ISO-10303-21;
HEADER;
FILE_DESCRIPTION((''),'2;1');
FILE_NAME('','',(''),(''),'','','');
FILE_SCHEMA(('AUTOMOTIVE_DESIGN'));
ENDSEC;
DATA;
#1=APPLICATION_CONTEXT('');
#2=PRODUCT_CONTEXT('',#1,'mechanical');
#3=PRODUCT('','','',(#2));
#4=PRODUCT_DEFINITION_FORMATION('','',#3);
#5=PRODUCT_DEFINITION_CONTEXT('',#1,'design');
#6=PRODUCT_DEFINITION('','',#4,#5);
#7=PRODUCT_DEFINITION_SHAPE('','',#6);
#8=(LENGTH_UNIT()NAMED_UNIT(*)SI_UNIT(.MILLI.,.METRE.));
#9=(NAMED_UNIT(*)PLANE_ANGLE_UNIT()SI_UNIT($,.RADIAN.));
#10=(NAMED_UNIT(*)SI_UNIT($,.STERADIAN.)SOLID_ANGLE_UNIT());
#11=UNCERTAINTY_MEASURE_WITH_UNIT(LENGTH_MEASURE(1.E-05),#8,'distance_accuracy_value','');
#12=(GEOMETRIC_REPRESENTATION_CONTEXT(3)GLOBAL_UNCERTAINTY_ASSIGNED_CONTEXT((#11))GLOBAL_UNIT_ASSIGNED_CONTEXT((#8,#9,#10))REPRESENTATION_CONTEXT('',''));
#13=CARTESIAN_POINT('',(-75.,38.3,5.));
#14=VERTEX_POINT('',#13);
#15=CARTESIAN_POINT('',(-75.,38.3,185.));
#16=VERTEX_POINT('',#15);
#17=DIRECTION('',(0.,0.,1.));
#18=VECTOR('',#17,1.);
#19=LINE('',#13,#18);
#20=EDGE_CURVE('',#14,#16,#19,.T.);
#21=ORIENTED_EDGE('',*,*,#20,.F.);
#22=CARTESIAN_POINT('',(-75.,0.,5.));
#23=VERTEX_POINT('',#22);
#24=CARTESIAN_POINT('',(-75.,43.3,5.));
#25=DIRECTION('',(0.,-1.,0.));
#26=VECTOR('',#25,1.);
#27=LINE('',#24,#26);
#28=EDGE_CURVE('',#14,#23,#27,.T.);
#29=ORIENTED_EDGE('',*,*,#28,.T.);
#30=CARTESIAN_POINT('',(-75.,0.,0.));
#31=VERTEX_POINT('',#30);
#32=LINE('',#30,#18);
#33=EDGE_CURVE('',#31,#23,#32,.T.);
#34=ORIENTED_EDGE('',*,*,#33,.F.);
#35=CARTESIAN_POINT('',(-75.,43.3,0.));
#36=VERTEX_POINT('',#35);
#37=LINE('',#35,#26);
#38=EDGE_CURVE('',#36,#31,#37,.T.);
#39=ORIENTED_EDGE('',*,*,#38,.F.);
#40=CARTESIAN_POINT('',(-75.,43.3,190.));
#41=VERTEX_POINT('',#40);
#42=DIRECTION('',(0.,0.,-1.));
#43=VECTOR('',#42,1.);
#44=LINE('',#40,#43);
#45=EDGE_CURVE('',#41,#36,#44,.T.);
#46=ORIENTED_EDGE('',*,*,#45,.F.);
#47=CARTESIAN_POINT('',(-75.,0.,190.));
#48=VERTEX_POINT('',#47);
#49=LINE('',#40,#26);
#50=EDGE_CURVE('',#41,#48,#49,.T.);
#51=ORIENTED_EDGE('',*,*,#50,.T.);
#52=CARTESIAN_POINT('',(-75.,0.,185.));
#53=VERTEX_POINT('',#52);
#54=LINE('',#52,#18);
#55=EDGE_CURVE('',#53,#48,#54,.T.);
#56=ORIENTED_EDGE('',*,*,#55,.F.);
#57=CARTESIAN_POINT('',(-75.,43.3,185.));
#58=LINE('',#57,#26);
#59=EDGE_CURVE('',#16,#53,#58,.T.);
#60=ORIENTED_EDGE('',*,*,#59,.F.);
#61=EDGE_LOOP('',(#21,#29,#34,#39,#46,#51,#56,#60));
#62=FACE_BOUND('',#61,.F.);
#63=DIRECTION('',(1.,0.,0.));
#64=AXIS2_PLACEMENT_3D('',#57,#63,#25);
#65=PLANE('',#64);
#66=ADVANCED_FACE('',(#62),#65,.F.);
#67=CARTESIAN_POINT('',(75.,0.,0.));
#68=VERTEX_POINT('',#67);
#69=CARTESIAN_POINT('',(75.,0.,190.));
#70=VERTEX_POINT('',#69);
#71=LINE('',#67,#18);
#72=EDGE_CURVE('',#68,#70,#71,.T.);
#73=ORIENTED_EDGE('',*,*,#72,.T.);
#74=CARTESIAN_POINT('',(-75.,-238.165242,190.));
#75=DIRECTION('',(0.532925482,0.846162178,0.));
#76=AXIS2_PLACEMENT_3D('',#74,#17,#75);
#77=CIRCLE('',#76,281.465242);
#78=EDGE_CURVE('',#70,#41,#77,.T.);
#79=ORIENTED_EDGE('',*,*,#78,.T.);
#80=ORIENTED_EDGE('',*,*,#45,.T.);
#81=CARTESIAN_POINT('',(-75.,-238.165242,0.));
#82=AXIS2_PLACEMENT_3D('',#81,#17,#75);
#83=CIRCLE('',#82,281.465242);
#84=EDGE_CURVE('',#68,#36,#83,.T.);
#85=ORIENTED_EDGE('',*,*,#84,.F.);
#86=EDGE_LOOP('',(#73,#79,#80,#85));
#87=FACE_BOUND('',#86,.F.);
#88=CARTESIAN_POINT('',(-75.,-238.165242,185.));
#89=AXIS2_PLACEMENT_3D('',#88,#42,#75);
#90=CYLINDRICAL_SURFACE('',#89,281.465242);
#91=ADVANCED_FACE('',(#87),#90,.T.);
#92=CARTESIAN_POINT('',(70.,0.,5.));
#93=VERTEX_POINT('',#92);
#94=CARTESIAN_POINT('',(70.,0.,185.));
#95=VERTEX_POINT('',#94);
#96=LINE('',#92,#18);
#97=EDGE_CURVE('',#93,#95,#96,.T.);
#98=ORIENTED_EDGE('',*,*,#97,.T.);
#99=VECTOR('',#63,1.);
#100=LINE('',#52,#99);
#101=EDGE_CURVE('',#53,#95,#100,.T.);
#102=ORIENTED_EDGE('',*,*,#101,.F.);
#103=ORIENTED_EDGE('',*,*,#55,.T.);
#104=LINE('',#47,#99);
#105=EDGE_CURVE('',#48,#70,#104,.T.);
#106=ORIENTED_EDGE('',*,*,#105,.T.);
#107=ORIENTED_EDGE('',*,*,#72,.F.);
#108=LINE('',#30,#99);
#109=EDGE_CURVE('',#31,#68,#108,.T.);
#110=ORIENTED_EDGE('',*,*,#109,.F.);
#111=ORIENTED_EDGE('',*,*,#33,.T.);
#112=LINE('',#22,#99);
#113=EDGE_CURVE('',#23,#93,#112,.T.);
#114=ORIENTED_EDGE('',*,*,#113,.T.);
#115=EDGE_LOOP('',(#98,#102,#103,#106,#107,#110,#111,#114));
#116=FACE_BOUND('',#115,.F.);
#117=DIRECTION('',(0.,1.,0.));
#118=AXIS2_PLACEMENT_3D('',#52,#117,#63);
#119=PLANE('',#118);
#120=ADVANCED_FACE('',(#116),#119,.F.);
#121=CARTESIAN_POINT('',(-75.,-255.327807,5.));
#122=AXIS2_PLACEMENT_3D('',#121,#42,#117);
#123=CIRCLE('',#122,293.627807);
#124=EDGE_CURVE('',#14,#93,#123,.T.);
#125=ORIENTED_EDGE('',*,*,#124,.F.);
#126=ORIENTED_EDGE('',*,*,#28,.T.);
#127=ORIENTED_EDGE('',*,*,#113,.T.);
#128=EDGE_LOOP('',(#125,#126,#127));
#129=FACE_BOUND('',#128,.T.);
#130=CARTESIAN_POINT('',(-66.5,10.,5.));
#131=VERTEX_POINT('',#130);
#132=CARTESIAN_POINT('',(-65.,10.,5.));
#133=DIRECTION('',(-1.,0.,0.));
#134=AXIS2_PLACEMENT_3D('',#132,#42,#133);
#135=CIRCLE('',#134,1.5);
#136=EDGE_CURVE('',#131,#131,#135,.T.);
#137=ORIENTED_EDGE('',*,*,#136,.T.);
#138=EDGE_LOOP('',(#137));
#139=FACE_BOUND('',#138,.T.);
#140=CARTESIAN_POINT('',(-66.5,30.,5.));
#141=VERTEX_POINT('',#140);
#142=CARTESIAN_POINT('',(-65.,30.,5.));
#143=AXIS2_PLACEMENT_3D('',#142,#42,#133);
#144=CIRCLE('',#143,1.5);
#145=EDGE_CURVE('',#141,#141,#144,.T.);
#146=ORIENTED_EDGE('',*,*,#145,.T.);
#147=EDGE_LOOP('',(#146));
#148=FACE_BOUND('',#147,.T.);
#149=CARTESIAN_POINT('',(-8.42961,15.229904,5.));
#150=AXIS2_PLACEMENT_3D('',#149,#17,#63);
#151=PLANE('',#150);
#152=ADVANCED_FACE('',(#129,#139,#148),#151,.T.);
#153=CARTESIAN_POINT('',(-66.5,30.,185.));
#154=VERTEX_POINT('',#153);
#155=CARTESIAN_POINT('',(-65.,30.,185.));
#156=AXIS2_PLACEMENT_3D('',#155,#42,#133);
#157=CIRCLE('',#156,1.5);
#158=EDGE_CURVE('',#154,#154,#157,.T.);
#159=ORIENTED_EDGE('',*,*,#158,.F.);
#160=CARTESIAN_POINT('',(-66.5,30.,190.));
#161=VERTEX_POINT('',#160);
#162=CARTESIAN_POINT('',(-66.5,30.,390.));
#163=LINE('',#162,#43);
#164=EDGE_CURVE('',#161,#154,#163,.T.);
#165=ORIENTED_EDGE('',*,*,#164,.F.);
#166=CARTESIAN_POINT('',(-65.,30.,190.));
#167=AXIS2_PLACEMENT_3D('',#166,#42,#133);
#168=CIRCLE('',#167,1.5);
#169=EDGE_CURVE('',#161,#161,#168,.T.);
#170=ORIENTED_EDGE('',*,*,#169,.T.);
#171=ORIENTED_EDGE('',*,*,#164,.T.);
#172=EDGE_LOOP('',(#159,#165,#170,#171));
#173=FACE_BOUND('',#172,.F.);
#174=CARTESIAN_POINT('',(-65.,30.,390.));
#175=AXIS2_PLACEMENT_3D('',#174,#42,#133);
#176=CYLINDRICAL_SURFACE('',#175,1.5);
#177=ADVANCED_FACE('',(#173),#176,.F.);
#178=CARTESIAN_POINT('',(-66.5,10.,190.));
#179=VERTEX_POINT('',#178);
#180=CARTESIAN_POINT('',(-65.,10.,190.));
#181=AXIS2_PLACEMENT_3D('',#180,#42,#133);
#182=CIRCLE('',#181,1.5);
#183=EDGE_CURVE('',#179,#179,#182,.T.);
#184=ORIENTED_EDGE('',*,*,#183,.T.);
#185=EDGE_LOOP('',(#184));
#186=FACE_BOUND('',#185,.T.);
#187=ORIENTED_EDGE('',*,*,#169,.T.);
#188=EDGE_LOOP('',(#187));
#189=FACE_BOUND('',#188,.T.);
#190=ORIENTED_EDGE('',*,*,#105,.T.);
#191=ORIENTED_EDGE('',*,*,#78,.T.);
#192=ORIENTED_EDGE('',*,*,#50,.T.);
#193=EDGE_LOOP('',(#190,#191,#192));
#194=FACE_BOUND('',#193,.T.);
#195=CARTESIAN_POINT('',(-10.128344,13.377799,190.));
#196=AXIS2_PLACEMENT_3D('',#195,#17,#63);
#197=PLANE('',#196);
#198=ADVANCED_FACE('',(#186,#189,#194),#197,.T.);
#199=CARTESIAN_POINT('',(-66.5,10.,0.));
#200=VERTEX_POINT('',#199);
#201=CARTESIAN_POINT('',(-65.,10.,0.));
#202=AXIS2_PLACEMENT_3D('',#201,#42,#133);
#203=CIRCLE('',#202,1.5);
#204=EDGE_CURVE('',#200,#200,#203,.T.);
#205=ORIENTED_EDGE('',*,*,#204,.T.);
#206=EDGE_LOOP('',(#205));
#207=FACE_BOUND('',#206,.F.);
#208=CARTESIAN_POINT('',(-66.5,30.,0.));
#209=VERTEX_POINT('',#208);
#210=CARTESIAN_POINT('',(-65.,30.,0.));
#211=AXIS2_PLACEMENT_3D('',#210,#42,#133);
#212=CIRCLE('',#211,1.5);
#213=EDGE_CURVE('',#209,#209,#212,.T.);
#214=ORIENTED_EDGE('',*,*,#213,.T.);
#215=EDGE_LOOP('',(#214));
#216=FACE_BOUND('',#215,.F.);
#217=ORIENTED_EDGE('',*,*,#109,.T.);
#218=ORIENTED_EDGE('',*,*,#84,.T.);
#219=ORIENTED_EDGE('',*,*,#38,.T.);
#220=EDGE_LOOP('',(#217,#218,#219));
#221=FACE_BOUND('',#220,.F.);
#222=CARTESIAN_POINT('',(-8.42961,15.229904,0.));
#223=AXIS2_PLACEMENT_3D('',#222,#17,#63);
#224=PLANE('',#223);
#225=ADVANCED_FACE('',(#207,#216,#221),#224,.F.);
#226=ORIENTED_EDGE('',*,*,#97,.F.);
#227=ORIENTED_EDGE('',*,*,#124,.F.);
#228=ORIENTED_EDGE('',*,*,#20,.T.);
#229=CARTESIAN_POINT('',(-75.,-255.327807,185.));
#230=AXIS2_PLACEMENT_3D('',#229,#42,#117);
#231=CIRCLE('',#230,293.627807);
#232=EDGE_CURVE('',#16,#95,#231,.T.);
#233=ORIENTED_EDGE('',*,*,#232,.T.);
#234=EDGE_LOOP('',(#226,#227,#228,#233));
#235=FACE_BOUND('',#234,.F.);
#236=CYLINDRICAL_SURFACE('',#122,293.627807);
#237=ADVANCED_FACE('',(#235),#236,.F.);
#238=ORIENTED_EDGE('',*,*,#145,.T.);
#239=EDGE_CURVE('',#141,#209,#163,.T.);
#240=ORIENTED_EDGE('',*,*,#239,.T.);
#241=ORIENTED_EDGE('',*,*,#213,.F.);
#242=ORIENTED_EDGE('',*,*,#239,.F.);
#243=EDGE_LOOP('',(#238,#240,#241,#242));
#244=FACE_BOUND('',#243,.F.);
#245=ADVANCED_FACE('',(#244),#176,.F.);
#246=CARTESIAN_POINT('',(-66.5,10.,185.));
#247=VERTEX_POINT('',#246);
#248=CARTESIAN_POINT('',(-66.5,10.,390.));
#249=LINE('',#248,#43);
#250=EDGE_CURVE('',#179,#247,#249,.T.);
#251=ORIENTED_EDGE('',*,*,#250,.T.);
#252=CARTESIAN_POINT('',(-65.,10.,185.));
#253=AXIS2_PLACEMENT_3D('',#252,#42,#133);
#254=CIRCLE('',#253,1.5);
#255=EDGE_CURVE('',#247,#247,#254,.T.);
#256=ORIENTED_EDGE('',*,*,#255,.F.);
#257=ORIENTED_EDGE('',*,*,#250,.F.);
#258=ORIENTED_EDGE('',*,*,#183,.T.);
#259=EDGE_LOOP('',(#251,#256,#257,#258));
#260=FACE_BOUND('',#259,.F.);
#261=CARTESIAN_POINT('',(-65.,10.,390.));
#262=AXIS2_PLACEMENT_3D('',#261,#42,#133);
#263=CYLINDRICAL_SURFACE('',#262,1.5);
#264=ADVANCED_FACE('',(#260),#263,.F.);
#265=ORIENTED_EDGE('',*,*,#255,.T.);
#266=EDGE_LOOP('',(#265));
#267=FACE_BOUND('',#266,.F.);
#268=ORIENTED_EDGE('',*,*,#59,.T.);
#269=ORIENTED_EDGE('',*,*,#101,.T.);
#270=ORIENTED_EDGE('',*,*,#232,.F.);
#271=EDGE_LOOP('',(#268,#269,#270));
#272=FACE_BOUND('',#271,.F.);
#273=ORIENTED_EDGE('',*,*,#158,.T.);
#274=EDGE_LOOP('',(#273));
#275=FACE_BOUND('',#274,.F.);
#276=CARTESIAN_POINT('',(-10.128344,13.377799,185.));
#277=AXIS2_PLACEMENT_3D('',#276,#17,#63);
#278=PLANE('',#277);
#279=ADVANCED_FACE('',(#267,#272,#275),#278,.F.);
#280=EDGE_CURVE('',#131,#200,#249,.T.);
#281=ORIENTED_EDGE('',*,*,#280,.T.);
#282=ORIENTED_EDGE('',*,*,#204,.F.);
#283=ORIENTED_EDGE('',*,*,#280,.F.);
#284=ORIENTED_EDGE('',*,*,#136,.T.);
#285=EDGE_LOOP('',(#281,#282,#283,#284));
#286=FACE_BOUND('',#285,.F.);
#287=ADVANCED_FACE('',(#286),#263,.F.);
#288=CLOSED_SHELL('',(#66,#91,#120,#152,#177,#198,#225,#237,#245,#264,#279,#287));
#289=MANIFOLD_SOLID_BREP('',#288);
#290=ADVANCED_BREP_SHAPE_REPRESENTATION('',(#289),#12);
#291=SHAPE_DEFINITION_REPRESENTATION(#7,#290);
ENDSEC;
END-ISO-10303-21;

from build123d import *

# Parameters (mm, degrees)
F1_DEPTH = 5
F3_DEPTH = 180
F5_DEPTH = 5
F7_D     = 3
F7_DEPTH = 200
F7_TIP   = 0.9012909285


with BuildPart() as f1:
    # F0 (on Top) → F1 (new body)
    with BuildSketch(Plane.XY):
        with BuildLine():
            Line((-75, 0), (0, 0))
            Line((0, 0), (75, 0))
            ThreePointArc((75, 0), (3.0622988388, 32.2584255386), (-75, 43.3))
            Line((-75, 43.3), (-75, 0))
        make_face()
    extrude(amount=F1_DEPTH)

    # F2 (on face) → F3 (join)
    with BuildSketch(Plane.XY.offset(5)):
        with BuildLine():
            ThreePointArc((75, 0), (3.0622988388, 32.2584255386), (-75, 43.3))
            Line((-75, 43.3), (-75, 38.3))
            ThreePointArc((-75, 38.3), (-0.0135178849, 28.5635745872), (70, 0))
            Line((70, 0), (75, 0))
        make_face()
    extrude(amount=F3_DEPTH)

    # F4 (on face) → F5 (join)
    with BuildSketch(Plane.XY.offset(185)):
        with BuildLine():
            ThreePointArc((70, 0), (-0.0135178849, 28.5635745872), (-75, 38.3))
            Line((-75, 38.3), (-75, 0))
            Line((-75, 0), (70, 0))
        make_face()
        with BuildLine():
            Line((-75, 43.3), (-75, 38.3))
            ThreePointArc((-75, 38.3), (-0.0135178849, 28.5635745872), (70, 0))
            Line((70, 0), (75, 0))
            ThreePointArc((75, 0), (3.0622988388, 32.2584255386), (-75, 43.3))
        make_face()
    extrude(amount=F5_DEPTH)

    # F7
    with Locations(Plane.XY.offset(190)):
        with Locations((-65, 30), (-65, 10)):
            Hole(F7_D / 2, depth=F7_DEPTH)
            with Locations((0, 0, -(F7_DEPTH + F7_TIP / 2))):  # 118° drill point
                Cone(0, F7_D / 2, F7_TIP, mode=Mode.SUBTRACT)


solid = f1.part
